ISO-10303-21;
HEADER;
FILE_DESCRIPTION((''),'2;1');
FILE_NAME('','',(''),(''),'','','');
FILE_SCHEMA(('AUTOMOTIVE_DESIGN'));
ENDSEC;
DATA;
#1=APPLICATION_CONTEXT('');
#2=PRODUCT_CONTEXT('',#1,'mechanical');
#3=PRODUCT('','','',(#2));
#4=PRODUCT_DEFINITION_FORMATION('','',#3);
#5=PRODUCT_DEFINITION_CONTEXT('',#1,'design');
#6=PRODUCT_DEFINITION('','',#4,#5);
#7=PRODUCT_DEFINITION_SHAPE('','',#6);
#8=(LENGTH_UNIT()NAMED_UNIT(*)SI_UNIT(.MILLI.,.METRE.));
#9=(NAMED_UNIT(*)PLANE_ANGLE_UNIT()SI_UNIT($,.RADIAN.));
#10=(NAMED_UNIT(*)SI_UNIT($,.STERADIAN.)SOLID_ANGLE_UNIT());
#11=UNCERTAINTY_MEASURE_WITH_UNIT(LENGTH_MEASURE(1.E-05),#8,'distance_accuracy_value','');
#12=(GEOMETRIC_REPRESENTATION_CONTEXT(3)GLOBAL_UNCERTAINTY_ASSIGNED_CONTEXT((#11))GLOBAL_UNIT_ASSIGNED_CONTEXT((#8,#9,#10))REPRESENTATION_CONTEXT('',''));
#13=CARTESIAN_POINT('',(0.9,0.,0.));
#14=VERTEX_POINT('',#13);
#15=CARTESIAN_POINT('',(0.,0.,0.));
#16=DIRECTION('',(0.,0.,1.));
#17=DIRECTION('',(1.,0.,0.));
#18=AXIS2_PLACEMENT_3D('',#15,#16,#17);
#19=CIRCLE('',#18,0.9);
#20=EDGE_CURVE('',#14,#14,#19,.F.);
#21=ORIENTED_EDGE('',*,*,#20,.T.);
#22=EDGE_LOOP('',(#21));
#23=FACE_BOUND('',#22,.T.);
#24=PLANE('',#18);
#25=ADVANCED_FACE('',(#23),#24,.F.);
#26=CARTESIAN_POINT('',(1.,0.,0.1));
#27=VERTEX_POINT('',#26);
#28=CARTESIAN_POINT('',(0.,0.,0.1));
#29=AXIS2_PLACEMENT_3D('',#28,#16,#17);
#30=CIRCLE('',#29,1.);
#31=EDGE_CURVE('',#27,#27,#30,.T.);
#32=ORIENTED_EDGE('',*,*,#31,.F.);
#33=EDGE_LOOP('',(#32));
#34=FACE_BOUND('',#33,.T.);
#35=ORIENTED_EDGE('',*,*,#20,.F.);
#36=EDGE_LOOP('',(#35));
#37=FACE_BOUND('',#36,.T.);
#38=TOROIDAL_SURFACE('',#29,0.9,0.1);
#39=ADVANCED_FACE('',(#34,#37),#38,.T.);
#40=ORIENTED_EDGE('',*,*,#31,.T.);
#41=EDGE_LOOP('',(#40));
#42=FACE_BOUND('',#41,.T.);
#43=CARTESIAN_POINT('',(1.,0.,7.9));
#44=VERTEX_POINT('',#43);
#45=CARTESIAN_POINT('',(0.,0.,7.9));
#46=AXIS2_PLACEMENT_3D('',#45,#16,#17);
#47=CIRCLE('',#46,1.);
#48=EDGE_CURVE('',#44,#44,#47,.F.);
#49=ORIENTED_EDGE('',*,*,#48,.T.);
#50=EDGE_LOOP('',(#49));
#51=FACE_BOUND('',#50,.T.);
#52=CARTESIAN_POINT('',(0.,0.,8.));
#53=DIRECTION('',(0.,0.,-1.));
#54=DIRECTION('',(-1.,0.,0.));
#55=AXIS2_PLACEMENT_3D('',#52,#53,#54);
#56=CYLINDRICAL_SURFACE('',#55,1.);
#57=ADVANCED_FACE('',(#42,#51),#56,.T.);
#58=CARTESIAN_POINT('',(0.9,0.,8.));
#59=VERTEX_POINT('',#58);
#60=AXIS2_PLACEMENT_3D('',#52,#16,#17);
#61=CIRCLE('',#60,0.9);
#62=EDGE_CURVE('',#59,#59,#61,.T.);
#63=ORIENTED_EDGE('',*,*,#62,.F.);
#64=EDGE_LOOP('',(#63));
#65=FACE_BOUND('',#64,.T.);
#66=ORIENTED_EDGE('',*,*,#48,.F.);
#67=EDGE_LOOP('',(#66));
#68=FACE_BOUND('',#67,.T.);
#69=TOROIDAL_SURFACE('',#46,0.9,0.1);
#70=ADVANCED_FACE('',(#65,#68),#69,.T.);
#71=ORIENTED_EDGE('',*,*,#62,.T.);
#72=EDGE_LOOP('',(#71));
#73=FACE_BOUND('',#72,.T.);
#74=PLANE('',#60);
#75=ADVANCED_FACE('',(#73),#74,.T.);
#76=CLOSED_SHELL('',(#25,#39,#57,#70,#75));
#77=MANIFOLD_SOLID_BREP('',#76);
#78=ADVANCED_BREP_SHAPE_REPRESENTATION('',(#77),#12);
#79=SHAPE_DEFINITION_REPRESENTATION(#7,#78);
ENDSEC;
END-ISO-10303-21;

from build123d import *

# Parameters (mm, degrees)
SKETCH2_R           = 1
BOSS_EXTRUDE1_DEPTH = 8
FILLET1_R           = 0.1


with BuildPart() as part:
    # Sketch2 → Boss-Extrude1 (new body)
    with BuildSketch(Plane.XY):
        Circle(SKETCH2_R)
    extrude(amount=BOSS_EXTRUDE1_DEPTH)

    # Fillet1
    fillet1_edges = [part.edges().sort_by_distance(p)[0] for p in [
        (-1, 0, 0),
        (-1, 0, 8),
    ]]
    fillet(fillet1_edges, radius=FILLET1_R)


solid = part.part
